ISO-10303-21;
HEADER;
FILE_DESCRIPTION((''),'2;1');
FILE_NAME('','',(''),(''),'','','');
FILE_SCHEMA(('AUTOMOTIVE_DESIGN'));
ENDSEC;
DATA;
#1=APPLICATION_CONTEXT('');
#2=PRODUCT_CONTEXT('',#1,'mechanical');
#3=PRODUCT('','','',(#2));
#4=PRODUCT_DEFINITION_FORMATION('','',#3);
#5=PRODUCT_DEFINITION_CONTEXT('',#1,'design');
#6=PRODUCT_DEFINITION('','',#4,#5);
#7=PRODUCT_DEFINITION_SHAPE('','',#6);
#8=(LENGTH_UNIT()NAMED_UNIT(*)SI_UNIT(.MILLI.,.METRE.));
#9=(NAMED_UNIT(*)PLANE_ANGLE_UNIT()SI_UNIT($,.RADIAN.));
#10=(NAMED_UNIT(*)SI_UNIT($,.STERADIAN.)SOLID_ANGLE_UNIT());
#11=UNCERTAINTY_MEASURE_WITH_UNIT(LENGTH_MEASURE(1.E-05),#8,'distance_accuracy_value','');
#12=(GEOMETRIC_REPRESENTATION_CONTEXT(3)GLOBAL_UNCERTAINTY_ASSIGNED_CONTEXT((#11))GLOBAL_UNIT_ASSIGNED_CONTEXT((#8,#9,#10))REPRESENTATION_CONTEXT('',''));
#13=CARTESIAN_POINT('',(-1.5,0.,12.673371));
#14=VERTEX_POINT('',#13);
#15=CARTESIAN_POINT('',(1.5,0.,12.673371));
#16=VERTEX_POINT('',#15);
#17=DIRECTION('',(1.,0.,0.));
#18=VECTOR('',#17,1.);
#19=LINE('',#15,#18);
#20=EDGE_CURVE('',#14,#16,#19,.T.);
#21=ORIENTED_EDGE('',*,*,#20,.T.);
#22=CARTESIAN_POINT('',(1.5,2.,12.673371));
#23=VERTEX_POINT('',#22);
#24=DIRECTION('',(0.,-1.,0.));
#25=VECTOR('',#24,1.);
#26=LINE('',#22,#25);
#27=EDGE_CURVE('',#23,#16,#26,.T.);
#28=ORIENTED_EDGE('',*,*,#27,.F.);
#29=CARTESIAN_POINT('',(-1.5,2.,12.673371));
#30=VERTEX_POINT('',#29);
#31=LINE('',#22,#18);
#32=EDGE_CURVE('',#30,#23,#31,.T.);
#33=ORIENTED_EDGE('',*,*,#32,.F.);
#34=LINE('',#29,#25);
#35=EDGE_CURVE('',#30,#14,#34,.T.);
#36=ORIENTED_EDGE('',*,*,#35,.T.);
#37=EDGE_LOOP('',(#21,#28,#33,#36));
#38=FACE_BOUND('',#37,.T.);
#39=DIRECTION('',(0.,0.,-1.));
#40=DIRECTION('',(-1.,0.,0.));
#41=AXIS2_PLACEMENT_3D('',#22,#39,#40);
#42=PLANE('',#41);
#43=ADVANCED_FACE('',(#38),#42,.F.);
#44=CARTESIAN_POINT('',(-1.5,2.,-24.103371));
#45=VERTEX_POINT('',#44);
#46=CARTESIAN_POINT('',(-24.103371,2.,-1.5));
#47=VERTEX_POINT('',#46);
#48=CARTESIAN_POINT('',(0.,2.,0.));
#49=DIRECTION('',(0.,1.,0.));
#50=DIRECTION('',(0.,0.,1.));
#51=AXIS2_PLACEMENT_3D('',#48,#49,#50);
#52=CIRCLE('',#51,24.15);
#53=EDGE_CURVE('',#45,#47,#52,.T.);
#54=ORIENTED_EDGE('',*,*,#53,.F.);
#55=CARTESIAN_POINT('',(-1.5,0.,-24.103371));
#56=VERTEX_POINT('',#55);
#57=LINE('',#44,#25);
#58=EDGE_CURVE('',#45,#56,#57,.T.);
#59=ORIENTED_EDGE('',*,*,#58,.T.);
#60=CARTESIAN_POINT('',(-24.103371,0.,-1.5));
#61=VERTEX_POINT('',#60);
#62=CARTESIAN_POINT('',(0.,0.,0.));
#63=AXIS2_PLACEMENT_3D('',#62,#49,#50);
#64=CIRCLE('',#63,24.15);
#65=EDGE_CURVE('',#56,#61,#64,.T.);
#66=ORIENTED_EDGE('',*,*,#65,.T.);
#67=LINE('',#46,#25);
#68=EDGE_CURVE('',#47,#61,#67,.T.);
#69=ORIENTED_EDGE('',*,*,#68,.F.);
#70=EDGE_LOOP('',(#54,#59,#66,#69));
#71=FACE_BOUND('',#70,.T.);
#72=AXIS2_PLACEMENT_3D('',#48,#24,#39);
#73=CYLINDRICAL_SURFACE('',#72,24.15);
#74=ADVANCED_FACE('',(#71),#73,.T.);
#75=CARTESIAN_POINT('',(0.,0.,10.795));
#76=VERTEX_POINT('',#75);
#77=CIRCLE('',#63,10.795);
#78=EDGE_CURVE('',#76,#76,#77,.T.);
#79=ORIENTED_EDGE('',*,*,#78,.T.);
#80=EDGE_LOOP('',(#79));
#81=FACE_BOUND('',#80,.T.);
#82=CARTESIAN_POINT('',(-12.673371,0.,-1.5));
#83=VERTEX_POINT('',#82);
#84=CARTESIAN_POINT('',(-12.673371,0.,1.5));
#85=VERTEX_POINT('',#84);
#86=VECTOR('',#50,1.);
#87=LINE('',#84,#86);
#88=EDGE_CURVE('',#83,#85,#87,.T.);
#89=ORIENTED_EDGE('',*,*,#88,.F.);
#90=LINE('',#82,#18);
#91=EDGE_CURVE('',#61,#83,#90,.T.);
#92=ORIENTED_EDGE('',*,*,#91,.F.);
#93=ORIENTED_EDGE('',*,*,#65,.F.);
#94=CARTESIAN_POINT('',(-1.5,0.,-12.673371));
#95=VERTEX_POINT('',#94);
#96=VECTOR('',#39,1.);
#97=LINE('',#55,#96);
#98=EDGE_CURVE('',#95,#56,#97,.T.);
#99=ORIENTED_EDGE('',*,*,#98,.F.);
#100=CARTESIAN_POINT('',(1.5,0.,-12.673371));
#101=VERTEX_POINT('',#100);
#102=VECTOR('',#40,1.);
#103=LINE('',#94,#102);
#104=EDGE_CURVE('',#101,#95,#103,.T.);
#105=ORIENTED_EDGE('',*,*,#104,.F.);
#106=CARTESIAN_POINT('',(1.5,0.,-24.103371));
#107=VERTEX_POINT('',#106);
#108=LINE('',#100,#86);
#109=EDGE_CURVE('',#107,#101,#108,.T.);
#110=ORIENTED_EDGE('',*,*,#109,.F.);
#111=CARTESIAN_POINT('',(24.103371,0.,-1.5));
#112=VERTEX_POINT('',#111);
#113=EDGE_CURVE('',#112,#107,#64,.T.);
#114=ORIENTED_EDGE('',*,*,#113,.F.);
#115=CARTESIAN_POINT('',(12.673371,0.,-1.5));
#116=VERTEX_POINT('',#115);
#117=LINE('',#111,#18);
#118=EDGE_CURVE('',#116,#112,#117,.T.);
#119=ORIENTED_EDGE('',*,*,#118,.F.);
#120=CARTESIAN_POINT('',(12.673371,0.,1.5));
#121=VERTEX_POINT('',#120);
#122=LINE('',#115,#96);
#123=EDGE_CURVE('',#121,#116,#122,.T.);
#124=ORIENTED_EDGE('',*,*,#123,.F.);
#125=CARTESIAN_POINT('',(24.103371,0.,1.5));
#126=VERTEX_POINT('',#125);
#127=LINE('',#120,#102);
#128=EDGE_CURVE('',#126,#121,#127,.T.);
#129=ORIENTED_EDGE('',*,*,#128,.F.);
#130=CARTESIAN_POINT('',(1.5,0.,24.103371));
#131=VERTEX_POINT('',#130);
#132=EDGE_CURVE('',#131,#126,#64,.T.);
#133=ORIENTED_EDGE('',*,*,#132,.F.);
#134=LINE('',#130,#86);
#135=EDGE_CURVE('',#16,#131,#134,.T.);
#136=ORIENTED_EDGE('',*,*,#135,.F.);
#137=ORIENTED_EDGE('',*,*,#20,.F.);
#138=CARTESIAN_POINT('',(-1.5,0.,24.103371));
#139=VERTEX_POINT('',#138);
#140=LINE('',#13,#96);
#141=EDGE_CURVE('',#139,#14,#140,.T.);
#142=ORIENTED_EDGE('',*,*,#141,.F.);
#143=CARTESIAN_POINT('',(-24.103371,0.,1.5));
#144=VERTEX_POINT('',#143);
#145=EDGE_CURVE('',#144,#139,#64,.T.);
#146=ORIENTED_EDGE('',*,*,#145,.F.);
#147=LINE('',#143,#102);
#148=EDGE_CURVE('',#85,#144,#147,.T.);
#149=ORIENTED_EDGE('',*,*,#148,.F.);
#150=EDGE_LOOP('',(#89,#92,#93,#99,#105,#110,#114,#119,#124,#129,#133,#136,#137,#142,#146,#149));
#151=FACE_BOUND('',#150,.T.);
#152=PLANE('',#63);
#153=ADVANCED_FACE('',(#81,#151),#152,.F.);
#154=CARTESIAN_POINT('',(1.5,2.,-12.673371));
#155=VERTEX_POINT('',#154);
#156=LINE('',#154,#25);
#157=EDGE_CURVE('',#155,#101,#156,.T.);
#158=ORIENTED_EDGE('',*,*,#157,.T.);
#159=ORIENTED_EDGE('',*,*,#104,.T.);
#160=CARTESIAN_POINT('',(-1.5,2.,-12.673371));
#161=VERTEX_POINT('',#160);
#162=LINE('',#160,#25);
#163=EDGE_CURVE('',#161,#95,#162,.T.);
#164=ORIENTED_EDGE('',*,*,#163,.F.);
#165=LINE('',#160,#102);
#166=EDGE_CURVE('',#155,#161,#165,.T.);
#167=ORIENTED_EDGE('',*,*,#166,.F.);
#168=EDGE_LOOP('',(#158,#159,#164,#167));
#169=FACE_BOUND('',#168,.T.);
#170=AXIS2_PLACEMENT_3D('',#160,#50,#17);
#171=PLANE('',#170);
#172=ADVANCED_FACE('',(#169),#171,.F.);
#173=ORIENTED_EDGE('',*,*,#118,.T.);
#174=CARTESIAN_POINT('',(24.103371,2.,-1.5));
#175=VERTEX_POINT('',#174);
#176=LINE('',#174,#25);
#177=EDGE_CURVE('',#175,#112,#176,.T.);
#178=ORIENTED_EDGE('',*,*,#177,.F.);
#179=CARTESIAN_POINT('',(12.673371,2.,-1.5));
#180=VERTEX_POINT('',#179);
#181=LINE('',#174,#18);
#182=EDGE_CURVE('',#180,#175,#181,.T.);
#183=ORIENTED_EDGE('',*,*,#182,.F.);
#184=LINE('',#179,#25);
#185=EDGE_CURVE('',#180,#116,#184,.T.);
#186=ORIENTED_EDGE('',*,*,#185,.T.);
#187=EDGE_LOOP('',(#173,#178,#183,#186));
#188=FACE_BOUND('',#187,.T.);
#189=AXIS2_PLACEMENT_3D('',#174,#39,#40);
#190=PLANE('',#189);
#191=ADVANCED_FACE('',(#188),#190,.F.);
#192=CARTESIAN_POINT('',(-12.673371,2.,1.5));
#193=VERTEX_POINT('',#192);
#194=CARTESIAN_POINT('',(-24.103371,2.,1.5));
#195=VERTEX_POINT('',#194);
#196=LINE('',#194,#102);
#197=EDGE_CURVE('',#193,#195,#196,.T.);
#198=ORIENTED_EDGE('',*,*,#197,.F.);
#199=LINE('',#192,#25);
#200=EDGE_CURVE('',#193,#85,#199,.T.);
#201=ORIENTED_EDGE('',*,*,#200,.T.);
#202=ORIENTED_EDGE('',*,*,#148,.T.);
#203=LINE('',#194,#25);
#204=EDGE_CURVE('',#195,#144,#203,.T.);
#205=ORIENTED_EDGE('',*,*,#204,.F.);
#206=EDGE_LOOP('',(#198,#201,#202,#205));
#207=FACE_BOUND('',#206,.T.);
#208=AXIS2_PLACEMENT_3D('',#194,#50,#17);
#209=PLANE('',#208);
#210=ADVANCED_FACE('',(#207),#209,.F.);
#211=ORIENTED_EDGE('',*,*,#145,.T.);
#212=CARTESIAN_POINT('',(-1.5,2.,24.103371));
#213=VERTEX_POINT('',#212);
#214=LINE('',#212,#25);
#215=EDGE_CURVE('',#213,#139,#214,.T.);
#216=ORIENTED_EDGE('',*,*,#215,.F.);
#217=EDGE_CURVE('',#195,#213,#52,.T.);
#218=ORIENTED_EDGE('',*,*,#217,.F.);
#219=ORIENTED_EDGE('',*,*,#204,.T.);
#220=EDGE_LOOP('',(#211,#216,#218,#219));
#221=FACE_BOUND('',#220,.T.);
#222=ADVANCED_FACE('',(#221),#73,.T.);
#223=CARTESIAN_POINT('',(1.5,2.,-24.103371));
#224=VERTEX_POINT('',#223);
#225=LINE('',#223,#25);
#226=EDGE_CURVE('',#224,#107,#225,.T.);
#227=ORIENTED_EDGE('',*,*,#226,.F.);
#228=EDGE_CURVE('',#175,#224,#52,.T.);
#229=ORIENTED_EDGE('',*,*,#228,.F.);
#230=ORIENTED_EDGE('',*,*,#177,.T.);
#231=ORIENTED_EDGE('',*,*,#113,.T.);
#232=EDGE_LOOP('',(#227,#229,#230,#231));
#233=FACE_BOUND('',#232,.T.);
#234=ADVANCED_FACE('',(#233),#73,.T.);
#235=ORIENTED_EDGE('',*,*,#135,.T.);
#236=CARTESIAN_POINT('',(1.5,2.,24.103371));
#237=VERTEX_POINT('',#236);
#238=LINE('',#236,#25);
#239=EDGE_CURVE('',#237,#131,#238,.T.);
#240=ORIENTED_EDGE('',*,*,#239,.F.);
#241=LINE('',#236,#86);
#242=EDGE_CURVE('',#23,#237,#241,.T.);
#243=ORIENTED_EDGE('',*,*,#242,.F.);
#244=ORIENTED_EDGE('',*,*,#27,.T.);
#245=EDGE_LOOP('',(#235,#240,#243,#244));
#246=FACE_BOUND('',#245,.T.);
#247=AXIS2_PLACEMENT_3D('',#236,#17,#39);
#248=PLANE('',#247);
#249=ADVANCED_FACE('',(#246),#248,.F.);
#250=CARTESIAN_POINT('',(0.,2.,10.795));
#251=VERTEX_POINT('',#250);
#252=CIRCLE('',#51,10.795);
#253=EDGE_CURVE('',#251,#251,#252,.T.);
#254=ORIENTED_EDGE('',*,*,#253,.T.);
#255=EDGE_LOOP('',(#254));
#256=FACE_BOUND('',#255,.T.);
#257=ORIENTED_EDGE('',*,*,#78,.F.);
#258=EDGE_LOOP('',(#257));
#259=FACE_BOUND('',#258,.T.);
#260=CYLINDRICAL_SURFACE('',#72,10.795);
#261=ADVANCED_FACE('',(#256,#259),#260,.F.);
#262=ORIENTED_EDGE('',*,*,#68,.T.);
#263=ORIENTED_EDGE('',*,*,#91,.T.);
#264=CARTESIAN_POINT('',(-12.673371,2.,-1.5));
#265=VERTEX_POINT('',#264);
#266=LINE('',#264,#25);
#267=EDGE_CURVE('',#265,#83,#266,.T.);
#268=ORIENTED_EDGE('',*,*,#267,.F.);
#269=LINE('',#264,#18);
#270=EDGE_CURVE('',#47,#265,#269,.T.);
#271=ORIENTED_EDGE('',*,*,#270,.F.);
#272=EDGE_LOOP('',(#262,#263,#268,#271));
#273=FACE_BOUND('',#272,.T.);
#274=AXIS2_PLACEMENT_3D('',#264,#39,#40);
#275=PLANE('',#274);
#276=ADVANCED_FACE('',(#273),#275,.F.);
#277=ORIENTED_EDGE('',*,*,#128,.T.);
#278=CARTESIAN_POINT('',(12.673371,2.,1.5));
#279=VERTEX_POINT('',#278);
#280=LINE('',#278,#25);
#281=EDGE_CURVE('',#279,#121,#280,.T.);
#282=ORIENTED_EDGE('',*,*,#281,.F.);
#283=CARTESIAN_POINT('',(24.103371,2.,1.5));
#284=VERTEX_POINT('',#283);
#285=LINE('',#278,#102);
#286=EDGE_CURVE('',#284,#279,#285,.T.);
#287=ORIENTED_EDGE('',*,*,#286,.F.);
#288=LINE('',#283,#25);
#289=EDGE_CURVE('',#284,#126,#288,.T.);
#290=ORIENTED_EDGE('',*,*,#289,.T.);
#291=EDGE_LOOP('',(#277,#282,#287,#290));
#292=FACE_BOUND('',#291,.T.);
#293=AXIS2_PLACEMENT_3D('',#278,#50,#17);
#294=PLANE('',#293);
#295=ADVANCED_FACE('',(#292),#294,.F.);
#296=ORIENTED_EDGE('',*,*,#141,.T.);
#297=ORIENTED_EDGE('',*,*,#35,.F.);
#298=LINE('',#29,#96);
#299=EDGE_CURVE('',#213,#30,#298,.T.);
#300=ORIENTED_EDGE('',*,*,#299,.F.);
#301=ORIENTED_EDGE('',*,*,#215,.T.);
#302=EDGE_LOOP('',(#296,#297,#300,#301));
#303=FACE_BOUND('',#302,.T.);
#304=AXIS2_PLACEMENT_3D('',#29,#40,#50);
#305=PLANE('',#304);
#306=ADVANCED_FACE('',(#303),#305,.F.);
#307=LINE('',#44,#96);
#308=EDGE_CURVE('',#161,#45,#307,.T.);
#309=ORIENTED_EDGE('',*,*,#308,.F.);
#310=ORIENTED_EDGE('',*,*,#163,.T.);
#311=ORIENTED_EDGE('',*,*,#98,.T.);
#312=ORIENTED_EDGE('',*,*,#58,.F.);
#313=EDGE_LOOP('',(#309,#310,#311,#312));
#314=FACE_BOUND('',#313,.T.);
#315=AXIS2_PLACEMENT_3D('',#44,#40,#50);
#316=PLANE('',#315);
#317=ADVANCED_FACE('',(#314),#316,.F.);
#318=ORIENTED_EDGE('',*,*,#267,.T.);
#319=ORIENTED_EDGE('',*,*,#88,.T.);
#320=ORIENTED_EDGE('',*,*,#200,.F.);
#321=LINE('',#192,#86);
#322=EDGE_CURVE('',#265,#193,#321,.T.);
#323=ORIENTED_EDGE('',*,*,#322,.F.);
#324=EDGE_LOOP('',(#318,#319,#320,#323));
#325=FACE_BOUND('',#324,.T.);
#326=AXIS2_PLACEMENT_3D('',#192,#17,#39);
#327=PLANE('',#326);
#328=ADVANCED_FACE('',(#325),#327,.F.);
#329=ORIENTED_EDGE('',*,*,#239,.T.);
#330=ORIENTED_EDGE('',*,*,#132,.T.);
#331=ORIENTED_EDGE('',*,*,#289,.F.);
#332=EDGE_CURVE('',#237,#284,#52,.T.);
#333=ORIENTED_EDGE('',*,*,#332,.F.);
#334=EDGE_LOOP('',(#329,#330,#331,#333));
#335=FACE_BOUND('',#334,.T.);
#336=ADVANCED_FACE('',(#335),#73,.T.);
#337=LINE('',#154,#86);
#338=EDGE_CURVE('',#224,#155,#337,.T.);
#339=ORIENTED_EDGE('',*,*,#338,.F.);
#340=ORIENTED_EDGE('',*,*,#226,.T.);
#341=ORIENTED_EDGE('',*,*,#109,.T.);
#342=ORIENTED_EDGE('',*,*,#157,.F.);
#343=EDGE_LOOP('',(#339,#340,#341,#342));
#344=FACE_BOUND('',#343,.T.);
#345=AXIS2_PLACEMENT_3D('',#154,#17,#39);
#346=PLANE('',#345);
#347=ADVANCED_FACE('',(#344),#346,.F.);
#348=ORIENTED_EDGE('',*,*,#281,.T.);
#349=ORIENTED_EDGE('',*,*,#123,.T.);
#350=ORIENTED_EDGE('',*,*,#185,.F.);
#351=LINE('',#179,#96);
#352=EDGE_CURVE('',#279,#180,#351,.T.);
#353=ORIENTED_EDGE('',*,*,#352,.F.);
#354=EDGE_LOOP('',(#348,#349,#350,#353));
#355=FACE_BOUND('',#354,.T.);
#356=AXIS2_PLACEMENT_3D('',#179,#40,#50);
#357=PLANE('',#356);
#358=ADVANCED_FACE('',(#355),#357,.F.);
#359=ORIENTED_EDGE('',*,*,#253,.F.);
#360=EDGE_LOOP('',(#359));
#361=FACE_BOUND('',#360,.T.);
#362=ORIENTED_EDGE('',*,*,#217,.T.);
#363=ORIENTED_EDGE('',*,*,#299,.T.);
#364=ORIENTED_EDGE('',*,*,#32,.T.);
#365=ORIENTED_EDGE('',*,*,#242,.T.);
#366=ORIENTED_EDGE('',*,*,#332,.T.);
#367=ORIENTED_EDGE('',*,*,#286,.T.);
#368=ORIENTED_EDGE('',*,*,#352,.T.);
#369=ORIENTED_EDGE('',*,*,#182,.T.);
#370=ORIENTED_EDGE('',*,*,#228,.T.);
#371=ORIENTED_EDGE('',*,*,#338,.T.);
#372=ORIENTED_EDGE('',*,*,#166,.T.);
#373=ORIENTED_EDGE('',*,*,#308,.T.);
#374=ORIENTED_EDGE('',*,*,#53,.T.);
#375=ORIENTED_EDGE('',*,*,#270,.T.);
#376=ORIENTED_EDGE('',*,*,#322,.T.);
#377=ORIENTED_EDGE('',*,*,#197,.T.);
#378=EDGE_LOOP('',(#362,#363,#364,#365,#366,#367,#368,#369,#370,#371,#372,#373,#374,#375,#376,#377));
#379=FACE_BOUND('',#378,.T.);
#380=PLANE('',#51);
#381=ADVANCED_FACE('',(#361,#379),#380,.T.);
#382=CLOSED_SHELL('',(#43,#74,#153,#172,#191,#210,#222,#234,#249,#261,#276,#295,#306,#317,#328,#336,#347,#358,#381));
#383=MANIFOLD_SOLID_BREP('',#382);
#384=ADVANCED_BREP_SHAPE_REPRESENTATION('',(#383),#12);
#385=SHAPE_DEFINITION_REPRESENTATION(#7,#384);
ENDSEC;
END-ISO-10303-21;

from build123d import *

# Parameters (mm, degrees)
SKETCH1_R           = 10.795
BOSS_EXTRUDE1_DEPTH = 2


with BuildPart() as part:
    # Sketch1 → Boss-Extrude1 (new body)
    with BuildSketch(Plane(origin=(0, 0, 0), x_dir=(1, 0, 0), z_dir=(0, 1, 0))):
        with BuildLine():
            Line((-1.5, 24.103371134), (-1.5, 12.673371134))
            Line((-1.5, 12.673371134), (1.5, 12.673371134))
            Line((1.5, 12.673371134), (1.5, 24.103371134))
            ThreePointArc((1.5, 24.103371134), (17.076628766, 17.076628766), (24.103371134, 1.5))
            Line((24.103371134, 1.5), (12.673371134, 1.5))
            Line((12.673371134, 1.5), (12.673371134, -1.5))
            Line((12.673371134, -1.5), (24.103371134, -1.5))
            ThreePointArc((24.103371134, -1.5), (17.076628766, -17.076628766), (1.5, -24.103371134))
            Line((1.5, -24.103371134), (1.5, -12.673371134))
            Line((1.5, -12.673371134), (-1.5, -12.673371134))
            Line((-1.5, -12.673371134), (-1.5, -24.103371134))
            ThreePointArc((-1.5, -24.103371134), (-17.076628766, -17.076628766), (-24.103371134, -1.5))
            Line((-24.103371134, -1.5), (-12.673371134, -1.5))
            Line((-12.673371134, -1.5), (-12.673371134, 1.5))
            Line((-12.673371134, 1.5), (-24.103371134, 1.5))
            ThreePointArc((-24.103371134, 1.5), (-17.076628766, 17.076628766), (-1.5, 24.103371134))
        make_face()
        with Locations(Location((0, 0, 0), (0, 0, 270))):
            Circle(SKETCH1_R, mode=Mode.SUBTRACT)
    extrude(amount=BOSS_EXTRUDE1_DEPTH)


solid = part.part
